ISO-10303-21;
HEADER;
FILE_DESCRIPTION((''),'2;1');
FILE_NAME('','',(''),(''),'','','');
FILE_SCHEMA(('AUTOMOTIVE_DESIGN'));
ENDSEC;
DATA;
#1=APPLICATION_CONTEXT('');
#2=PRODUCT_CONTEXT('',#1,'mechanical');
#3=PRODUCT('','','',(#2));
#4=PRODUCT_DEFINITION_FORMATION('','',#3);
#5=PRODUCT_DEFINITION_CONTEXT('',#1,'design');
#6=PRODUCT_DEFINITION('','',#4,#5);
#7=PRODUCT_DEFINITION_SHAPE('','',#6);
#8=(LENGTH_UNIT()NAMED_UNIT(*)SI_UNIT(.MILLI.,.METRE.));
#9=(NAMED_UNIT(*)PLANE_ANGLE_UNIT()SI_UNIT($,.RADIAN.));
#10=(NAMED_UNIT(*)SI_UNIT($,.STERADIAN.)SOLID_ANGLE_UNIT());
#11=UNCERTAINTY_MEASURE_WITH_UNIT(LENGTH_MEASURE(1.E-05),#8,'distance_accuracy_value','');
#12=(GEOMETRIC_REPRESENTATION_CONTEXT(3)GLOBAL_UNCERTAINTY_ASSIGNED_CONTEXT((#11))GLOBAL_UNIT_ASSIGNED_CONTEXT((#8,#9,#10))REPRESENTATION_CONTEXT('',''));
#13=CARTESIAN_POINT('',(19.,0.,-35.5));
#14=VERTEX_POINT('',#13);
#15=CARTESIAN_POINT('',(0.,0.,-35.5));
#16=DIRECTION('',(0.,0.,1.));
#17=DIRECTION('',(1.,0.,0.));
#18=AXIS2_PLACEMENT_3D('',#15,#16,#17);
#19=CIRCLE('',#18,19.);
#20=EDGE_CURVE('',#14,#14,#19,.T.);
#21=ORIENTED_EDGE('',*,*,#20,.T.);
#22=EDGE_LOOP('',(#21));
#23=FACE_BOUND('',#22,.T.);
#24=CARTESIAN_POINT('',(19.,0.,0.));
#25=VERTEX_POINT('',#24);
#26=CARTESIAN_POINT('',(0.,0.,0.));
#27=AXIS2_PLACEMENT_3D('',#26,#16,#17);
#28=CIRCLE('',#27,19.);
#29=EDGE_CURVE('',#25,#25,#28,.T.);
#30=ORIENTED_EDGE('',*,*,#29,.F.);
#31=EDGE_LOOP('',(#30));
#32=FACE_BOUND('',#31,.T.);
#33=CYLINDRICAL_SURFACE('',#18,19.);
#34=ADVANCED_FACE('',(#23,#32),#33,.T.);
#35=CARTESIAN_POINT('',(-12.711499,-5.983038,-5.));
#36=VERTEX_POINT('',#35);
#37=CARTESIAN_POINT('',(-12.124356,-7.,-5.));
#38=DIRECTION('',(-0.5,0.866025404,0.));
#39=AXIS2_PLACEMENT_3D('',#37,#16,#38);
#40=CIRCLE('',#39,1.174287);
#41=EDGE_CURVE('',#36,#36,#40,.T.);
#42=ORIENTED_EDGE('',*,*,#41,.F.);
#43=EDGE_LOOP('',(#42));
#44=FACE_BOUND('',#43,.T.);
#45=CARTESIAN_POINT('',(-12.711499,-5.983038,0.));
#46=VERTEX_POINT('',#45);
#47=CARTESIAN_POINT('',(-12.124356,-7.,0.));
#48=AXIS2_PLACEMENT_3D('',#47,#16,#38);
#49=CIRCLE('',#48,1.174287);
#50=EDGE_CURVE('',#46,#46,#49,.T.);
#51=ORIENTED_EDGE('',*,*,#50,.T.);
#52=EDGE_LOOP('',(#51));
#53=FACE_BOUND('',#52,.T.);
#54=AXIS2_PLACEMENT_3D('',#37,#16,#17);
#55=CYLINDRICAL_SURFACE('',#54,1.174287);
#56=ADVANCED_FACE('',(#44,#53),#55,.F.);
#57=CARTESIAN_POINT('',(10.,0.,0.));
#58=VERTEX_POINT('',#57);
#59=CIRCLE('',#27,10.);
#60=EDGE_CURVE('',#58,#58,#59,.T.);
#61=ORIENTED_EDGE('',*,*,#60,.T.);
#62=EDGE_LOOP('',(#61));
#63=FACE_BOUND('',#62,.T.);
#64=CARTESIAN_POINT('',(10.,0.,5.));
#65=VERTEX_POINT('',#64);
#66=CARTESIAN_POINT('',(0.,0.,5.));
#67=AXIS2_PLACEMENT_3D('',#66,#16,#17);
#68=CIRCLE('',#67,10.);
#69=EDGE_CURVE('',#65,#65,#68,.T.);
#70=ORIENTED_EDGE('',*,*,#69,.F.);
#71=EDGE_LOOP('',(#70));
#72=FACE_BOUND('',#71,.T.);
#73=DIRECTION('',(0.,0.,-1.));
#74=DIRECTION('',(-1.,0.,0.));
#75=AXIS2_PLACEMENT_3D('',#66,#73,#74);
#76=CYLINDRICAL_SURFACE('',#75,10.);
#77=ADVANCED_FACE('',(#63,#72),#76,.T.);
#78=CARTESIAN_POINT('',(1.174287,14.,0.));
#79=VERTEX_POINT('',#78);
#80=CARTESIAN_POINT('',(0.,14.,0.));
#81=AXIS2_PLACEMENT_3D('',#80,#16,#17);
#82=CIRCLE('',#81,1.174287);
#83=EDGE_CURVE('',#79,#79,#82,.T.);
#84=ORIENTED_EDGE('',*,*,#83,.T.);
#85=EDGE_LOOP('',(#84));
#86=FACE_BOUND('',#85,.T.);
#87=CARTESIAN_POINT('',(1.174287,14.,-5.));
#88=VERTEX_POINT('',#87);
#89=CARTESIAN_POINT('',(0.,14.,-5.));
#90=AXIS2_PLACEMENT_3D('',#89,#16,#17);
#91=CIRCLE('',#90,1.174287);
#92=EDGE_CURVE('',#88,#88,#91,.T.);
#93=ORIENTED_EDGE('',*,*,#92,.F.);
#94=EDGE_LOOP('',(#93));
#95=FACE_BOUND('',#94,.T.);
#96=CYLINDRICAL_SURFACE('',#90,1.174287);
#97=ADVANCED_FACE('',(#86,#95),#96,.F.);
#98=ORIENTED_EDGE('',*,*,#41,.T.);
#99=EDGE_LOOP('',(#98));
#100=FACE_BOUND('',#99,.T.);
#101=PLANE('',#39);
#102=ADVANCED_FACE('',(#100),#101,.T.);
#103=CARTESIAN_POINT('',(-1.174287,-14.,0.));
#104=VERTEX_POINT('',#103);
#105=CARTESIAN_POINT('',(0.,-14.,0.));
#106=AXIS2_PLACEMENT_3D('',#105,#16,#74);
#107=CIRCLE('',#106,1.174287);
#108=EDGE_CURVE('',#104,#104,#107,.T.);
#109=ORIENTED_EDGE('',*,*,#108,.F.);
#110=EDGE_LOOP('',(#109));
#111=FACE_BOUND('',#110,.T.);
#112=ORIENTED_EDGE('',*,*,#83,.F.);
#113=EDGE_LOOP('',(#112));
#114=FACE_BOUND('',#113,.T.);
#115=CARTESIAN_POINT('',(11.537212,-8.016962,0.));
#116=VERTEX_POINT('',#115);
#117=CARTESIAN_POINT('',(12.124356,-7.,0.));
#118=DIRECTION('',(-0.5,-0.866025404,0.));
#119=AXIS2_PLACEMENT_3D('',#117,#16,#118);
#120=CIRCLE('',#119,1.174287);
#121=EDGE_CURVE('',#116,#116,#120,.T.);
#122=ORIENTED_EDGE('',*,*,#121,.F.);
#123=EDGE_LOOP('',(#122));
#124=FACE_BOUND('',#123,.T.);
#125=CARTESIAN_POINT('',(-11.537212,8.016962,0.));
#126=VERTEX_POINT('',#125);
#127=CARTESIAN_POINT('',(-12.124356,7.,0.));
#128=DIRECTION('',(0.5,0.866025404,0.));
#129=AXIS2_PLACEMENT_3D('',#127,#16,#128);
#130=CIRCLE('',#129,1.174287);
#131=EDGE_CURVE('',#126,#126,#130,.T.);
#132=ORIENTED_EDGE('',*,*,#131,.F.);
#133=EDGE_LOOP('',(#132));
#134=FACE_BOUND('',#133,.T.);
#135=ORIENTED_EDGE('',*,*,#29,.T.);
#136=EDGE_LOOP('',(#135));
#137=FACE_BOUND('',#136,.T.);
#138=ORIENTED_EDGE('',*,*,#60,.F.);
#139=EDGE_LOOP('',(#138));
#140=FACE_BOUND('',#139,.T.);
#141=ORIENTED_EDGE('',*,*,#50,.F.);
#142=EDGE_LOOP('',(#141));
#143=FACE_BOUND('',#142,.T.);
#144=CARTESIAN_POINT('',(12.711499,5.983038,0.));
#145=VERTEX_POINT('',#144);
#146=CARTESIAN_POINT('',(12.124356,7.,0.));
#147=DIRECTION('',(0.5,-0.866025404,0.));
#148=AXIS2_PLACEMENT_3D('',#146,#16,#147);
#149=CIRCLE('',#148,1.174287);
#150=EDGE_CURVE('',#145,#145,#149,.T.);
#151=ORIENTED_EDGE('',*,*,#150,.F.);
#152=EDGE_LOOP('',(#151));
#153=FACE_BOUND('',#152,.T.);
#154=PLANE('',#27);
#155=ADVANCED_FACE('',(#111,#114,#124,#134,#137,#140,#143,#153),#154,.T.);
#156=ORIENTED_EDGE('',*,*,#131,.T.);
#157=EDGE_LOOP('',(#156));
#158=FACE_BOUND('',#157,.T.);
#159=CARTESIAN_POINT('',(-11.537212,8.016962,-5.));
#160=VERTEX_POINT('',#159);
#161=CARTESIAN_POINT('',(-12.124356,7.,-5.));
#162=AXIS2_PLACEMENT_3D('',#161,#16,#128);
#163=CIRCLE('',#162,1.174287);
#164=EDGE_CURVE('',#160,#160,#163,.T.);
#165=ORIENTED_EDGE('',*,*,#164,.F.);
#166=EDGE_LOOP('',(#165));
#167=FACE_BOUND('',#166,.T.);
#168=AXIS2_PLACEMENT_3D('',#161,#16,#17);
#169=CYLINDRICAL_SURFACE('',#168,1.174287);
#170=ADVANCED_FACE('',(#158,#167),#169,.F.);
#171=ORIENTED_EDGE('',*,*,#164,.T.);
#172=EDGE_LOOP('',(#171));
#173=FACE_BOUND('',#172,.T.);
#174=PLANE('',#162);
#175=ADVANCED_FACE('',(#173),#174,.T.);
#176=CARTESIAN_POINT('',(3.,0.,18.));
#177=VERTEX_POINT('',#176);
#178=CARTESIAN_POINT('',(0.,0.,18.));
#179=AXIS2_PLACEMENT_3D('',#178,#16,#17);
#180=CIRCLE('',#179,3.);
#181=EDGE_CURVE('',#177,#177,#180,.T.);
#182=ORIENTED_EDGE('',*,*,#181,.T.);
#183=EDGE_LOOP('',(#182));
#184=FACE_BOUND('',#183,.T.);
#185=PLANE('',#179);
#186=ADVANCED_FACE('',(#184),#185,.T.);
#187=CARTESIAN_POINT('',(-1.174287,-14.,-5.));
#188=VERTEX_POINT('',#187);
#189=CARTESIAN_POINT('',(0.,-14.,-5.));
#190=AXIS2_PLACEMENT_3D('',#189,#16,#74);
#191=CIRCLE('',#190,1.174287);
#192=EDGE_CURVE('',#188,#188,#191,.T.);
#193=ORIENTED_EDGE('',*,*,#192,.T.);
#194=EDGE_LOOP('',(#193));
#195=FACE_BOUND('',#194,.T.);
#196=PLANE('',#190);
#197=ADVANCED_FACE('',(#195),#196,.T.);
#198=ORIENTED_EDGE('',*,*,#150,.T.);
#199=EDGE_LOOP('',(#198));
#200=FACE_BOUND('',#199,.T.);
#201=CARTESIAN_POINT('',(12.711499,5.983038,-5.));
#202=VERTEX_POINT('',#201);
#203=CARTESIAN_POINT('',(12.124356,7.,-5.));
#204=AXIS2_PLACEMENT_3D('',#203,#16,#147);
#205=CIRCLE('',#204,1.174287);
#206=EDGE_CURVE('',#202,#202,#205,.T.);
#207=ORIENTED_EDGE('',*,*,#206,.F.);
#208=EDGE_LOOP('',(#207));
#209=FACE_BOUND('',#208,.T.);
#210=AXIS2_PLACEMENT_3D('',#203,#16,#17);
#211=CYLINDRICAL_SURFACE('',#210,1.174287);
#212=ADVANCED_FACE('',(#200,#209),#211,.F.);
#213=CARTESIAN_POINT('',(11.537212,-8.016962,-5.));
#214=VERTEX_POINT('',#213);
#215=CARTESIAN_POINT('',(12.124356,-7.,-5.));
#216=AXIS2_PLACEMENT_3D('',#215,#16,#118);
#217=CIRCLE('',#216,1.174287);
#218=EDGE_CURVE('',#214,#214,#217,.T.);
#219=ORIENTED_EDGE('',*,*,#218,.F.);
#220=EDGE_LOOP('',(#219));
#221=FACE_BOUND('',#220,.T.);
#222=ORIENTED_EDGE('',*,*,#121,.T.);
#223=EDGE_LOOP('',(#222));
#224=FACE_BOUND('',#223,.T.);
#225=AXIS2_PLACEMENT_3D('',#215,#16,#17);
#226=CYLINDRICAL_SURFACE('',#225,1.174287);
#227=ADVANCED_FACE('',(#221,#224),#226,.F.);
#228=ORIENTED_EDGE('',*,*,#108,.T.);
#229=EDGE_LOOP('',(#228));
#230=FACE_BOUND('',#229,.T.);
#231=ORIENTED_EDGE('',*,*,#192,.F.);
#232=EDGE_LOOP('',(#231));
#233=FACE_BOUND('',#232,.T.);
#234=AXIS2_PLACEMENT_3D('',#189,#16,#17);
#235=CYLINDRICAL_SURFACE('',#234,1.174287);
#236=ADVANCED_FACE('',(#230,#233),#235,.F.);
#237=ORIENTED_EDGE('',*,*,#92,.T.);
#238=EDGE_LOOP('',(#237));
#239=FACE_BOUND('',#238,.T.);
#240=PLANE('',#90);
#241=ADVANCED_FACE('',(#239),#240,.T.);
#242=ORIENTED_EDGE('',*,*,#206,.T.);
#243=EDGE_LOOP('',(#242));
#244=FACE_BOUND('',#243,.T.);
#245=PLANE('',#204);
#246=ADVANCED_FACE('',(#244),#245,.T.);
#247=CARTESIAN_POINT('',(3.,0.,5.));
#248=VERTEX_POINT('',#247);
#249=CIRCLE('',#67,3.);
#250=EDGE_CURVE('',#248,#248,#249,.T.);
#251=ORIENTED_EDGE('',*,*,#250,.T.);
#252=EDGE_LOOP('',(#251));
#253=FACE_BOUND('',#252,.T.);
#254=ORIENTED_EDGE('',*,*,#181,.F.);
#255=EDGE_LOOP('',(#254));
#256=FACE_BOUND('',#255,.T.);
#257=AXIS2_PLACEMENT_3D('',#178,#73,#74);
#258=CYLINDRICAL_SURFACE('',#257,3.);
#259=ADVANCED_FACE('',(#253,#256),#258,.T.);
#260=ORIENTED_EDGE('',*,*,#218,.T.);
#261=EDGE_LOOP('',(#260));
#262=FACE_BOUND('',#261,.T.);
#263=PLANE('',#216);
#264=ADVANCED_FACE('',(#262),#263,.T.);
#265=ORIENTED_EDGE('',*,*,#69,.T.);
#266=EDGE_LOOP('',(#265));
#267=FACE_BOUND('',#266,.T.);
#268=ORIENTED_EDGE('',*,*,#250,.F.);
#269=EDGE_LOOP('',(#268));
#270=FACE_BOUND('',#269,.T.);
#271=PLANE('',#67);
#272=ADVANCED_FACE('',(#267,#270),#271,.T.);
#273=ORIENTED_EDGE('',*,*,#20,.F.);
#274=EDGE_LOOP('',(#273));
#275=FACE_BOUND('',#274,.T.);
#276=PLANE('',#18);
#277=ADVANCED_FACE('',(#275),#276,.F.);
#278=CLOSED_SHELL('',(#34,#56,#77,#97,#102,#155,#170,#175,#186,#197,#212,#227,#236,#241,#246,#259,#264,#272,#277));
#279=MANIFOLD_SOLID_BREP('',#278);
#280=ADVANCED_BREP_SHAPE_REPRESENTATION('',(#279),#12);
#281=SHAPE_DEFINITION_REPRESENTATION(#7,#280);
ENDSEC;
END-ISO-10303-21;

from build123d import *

# Parameters (mm, degrees)
SKETCH1_R           = 19
BOSS_EXTRUDE1_DEPTH = 35.5
SKETCH2_R           = 10
BOSS_EXTRUDE2_DEPTH = 5
SKETCH3_R           = 3
BOSS_EXTRUDE3_DEPTH = 13
SKETCH4_R           = 1.174286688
CUT_EXTRUDE1_DEPTH  = 5
CIRPATTERN1_COUNT   = 6


with BuildPart() as part:
    # Sketch1 → Boss-Extrude1 (new body)
    with BuildSketch(Plane.XY):
        Circle(SKETCH1_R)
    extrude(amount=-BOSS_EXTRUDE1_DEPTH)

    # Sketch2 → Boss-Extrude2 (add)
    with BuildSketch(Plane.XY):
        Circle(SKETCH2_R)
    extrude(amount=BOSS_EXTRUDE2_DEPTH)

    # Sketch3 → Boss-Extrude3 (add)
    with BuildSketch(Plane.XY.offset(5)):
        Circle(SKETCH3_R)
    extrude(amount=BOSS_EXTRUDE3_DEPTH)

    # Sketch4 → Cut-Extrude1 (cut)
    with BuildSketch(Plane.XY):
        with Locations((0, 14)):
            Circle(SKETCH4_R)
    cut_extrude1 = extrude(amount=-CUT_EXTRUDE1_DEPTH, mode=Mode.SUBTRACT)

    # CirPattern1: Cut-Extrude1 ×6 about axis
    cirpattern1_axis = Axis((0, 0, 0), (0, 0, 1))
    for i in range(1, CIRPATTERN1_COUNT):
        add(cut_extrude1.rotate(cirpattern1_axis, i * 360 / CIRPATTERN1_COUNT), mode=Mode.SUBTRACT)


solid = part.part
